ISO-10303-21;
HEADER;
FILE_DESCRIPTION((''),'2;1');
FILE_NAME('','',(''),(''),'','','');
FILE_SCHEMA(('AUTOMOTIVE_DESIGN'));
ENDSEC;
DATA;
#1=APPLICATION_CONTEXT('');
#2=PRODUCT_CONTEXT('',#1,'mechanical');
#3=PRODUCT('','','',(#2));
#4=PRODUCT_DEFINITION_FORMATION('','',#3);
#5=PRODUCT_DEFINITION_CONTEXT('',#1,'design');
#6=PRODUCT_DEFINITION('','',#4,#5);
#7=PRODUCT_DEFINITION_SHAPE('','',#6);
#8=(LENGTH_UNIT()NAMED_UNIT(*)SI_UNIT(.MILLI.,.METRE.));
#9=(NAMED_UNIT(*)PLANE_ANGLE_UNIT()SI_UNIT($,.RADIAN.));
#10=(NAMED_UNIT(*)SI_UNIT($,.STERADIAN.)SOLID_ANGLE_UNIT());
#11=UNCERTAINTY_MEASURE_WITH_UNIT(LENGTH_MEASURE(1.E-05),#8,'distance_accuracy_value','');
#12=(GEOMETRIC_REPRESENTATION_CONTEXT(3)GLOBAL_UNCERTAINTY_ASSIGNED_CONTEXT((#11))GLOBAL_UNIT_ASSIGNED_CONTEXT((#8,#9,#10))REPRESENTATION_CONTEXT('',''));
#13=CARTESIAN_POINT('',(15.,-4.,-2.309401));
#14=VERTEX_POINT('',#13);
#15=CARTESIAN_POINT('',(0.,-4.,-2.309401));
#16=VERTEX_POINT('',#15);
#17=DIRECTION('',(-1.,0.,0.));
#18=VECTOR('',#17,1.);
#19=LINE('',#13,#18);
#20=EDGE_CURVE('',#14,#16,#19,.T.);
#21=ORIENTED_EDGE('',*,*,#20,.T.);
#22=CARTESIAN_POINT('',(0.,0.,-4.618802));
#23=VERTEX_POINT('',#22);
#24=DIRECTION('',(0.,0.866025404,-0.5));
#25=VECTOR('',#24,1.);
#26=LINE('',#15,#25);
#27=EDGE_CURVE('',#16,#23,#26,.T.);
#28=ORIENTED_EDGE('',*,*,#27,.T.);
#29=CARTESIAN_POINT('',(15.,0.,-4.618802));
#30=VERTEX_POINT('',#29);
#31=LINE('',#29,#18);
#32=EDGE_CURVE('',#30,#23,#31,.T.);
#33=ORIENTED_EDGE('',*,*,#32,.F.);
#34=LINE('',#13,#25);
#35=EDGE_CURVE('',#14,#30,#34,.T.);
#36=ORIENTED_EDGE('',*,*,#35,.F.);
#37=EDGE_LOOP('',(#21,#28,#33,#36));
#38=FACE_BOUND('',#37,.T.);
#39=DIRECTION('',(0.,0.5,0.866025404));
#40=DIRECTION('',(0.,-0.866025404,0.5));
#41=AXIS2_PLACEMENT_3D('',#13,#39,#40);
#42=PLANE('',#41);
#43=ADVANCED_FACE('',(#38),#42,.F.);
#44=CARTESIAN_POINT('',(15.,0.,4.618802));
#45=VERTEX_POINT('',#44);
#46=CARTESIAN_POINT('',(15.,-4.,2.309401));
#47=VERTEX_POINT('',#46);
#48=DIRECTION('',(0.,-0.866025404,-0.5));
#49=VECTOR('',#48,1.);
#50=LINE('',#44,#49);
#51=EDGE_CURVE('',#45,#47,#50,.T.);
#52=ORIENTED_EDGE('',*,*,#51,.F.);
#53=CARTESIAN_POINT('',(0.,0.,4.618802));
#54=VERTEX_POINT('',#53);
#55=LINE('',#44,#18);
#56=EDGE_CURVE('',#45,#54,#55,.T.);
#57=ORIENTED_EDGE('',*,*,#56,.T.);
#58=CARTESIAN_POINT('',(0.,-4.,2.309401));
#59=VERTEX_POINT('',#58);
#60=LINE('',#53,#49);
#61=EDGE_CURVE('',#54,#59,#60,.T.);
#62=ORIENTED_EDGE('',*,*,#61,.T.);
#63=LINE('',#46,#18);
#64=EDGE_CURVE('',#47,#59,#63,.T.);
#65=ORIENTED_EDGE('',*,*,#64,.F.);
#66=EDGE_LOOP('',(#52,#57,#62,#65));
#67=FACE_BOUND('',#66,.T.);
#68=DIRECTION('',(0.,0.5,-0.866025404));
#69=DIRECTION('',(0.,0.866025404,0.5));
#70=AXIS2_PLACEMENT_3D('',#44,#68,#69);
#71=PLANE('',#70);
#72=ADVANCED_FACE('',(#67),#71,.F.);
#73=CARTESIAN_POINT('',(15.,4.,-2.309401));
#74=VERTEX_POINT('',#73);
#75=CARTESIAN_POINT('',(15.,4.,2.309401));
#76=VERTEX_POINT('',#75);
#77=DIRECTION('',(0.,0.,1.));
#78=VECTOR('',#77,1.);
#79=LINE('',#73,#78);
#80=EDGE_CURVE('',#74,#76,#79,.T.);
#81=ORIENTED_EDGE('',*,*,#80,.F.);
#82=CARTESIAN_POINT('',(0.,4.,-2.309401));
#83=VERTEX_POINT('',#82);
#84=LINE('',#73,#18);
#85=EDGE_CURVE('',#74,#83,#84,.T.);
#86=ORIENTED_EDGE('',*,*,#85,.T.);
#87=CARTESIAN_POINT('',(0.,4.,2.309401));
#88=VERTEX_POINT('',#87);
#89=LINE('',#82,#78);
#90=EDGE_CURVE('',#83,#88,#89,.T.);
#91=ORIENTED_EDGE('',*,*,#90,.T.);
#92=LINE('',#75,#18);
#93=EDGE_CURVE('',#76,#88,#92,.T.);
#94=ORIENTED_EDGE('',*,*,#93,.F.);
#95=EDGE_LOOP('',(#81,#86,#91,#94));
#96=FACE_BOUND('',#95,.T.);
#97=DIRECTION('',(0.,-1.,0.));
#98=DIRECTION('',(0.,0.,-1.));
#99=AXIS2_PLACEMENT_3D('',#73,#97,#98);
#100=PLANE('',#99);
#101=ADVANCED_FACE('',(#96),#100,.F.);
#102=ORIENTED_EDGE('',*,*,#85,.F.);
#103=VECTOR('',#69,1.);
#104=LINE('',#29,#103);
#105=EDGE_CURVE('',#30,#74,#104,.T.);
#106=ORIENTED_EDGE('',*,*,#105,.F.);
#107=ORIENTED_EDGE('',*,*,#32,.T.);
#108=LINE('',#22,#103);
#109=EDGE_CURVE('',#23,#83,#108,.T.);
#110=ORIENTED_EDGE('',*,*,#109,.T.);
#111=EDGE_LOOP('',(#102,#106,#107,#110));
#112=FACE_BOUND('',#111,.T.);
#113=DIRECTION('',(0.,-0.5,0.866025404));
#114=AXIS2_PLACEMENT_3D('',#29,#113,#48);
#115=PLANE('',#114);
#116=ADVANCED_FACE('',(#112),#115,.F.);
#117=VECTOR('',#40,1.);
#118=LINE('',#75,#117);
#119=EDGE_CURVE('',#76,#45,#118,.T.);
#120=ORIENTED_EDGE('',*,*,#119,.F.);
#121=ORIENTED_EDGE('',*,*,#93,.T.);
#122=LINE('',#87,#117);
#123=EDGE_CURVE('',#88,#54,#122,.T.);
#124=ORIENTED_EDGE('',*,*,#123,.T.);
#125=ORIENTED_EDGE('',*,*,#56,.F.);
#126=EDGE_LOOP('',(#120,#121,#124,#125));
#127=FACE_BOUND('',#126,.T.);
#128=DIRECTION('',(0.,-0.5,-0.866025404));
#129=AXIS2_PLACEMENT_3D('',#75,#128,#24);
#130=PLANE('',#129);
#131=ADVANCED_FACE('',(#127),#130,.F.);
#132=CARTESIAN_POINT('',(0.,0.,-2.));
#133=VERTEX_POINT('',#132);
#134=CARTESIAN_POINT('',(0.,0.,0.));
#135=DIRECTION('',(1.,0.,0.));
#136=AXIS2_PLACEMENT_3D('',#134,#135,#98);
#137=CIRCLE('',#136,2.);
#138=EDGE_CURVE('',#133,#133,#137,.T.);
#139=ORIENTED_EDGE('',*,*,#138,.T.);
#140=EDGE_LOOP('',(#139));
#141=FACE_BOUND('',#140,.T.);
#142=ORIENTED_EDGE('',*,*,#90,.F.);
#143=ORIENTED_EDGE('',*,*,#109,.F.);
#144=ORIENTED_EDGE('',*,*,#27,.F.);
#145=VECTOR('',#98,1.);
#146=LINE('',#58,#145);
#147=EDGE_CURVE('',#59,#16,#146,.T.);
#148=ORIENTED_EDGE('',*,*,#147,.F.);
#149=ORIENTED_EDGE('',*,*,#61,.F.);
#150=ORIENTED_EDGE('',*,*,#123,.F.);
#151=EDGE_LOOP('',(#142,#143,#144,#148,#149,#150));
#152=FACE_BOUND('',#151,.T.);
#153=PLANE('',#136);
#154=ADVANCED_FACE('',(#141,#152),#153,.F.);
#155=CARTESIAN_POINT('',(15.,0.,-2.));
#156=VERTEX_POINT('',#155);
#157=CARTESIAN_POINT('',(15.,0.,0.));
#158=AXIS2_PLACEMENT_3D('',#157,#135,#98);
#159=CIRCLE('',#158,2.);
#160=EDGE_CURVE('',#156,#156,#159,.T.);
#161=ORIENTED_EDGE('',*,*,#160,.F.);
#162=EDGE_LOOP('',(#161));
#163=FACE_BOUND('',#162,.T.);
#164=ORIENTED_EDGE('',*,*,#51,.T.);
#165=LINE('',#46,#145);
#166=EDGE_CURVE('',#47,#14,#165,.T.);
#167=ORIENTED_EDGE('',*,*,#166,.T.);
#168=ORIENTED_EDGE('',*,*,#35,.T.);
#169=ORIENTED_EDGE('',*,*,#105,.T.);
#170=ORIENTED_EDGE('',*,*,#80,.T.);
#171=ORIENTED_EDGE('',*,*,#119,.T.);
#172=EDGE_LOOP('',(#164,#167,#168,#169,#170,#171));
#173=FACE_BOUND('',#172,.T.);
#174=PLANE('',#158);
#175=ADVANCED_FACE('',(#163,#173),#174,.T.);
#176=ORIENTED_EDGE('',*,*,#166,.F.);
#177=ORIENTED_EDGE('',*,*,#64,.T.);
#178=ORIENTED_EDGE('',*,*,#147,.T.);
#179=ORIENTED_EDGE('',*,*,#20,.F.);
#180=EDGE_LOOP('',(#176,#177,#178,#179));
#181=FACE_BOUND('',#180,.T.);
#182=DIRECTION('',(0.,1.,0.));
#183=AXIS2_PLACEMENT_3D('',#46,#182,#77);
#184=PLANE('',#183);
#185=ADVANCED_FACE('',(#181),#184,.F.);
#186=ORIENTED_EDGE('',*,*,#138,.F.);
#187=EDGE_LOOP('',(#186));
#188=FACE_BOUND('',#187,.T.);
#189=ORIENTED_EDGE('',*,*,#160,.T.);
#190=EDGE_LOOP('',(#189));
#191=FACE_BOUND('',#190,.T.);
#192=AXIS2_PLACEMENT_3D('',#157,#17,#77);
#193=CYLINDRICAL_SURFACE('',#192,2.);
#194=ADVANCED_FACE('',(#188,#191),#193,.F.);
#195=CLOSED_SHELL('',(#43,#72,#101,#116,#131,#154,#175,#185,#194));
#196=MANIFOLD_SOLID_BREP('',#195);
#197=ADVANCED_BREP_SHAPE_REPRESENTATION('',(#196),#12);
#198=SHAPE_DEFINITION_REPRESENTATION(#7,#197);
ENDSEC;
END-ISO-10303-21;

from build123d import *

# Parameters (mm, degrees)
SKETCH1_R           = 2
BOSS_EXTRUDE1_DEPTH = 15


with BuildPart() as part:
    # Sketch1 → Boss-Extrude1 (new body)
    with BuildSketch(Plane(origin=(0, 0, 0), x_dir=(0, 0, -1), z_dir=(1, 0, 0))):
        Polygon((2.309401077, -4), (4.618802154, 0), (2.309401077, 4), (-2.309401077, 4), (-4.618802154, 0), (-2.309401077, -4), align=None)
        Circle(SKETCH1_R, mode=Mode.SUBTRACT)
    extrude(amount=BOSS_EXTRUDE1_DEPTH)


solid = part.part
